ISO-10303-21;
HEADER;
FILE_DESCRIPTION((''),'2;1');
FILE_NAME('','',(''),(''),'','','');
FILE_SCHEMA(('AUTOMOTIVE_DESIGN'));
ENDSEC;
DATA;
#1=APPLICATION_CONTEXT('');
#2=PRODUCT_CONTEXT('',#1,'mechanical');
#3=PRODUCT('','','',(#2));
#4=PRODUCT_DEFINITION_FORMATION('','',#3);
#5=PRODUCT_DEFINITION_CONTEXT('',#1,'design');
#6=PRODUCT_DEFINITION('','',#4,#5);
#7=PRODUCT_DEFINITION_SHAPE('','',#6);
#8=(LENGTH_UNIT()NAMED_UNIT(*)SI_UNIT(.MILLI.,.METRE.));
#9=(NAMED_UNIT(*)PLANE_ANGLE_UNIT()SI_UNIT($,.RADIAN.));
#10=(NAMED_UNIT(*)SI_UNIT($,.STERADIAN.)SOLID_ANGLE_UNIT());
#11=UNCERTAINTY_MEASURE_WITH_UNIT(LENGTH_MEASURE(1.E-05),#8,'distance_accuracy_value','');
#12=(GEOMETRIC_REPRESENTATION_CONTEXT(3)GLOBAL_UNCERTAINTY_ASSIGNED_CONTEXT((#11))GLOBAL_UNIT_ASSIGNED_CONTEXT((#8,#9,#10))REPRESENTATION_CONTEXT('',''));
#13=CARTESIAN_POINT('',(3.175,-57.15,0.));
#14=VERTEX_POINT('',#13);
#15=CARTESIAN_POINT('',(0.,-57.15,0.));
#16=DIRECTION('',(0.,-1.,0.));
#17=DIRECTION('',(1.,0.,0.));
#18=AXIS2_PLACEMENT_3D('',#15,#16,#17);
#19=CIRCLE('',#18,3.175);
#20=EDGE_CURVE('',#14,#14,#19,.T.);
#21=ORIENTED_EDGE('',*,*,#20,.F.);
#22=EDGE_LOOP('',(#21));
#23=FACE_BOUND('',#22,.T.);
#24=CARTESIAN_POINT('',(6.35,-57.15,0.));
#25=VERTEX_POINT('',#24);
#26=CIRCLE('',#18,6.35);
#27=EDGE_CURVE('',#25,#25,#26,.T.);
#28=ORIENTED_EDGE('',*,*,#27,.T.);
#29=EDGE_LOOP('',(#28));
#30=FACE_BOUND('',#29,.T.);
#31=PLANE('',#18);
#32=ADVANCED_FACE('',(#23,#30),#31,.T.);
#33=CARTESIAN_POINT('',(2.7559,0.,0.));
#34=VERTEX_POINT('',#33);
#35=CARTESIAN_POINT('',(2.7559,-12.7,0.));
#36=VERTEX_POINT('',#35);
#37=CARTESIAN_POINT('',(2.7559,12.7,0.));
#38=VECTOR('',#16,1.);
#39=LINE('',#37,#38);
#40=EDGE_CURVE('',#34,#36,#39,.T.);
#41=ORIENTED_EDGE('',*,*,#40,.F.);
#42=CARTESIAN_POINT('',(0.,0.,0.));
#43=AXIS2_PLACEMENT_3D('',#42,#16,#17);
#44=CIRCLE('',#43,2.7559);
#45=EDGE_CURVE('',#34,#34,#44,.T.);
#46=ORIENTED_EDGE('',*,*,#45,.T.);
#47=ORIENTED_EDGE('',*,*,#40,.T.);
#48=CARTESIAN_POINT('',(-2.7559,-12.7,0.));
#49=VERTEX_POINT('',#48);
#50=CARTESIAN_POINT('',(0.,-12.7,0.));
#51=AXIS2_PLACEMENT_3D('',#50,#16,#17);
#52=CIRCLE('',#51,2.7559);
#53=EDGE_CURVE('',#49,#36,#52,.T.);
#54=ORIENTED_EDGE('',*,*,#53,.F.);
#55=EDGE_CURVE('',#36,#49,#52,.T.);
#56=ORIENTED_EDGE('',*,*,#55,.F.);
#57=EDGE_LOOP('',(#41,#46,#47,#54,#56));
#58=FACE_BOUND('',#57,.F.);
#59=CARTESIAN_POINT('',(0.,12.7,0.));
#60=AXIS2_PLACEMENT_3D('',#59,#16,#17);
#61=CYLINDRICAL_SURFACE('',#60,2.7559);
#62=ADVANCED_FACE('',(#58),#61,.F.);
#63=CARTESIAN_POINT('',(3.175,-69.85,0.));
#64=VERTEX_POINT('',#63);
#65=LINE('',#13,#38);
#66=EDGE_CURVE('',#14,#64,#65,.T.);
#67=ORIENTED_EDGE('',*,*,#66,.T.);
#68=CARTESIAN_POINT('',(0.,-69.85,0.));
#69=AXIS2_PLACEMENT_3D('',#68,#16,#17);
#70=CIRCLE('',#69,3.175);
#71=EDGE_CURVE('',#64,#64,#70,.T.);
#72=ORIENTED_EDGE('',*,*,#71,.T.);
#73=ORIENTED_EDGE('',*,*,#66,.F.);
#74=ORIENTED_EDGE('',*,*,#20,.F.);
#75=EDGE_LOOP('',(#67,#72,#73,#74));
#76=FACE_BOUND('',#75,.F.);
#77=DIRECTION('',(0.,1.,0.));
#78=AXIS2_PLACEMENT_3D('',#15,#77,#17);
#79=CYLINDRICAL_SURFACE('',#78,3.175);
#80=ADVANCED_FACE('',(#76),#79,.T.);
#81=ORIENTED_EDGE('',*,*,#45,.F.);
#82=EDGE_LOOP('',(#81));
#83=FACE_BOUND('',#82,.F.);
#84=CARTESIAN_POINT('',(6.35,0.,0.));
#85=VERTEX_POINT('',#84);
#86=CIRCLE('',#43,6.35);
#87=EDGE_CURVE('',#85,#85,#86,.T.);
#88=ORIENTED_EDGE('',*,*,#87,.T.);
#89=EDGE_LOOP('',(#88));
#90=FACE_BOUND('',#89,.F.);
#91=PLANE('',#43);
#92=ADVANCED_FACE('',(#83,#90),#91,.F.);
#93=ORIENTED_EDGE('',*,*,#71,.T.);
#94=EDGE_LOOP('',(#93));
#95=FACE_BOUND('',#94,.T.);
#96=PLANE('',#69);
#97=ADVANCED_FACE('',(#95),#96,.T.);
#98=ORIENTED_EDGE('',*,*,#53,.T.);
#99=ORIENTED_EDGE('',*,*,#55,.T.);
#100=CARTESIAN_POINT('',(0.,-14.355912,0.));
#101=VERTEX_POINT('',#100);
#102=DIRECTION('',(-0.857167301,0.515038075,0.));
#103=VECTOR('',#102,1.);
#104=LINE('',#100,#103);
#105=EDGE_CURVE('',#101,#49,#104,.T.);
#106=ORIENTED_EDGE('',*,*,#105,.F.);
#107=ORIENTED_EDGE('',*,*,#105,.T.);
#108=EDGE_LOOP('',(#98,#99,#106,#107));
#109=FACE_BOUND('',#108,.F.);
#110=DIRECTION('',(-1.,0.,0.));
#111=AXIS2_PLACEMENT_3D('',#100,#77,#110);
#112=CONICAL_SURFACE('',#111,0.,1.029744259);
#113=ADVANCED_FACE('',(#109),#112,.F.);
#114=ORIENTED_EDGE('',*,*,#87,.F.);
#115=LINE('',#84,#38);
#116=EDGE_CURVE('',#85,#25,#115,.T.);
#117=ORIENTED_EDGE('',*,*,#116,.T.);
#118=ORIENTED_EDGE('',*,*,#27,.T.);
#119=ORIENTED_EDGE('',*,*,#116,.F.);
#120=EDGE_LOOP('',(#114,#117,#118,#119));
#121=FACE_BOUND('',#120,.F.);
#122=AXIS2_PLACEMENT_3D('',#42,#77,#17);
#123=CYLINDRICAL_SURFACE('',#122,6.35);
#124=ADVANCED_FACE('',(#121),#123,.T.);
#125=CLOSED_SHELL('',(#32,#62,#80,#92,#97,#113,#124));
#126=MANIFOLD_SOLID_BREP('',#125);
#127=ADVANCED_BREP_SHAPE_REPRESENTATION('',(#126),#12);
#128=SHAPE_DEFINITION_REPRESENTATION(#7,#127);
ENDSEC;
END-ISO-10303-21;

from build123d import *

# Parameters (mm, degrees)
F0_R     = 6.35
F1_DEPTH = 57.15
F2_R     = 3.175
F3_DEPTH = 12.7
F5_D     = 5.5118
F5_DEPTH = 12.7
F5_TIP   = 1.65591178


with BuildPart() as f1:
    # F0 (on Front) → F1 (new body)
    with BuildSketch(Plane.XZ):
        Circle(F0_R)
    extrude(amount=F1_DEPTH)

    # F2 (on face) → F3 (join)
    with BuildSketch(Plane.XZ.offset(57.15)):
        Circle(F2_R)
    extrude(amount=F3_DEPTH)

    # F5
    with Locations(Plane(origin=(0, 0, 0), x_dir=(-1, 0, 0), z_dir=(0, 1, 0))):
        with Locations((0, 0)):
            Hole(F5_D / 2, depth=F5_DEPTH)
            with Locations((0, 0, -(F5_DEPTH + F5_TIP / 2))):  # 118° drill point
                Cone(0, F5_D / 2, F5_TIP, mode=Mode.SUBTRACT)


solid = f1.part
